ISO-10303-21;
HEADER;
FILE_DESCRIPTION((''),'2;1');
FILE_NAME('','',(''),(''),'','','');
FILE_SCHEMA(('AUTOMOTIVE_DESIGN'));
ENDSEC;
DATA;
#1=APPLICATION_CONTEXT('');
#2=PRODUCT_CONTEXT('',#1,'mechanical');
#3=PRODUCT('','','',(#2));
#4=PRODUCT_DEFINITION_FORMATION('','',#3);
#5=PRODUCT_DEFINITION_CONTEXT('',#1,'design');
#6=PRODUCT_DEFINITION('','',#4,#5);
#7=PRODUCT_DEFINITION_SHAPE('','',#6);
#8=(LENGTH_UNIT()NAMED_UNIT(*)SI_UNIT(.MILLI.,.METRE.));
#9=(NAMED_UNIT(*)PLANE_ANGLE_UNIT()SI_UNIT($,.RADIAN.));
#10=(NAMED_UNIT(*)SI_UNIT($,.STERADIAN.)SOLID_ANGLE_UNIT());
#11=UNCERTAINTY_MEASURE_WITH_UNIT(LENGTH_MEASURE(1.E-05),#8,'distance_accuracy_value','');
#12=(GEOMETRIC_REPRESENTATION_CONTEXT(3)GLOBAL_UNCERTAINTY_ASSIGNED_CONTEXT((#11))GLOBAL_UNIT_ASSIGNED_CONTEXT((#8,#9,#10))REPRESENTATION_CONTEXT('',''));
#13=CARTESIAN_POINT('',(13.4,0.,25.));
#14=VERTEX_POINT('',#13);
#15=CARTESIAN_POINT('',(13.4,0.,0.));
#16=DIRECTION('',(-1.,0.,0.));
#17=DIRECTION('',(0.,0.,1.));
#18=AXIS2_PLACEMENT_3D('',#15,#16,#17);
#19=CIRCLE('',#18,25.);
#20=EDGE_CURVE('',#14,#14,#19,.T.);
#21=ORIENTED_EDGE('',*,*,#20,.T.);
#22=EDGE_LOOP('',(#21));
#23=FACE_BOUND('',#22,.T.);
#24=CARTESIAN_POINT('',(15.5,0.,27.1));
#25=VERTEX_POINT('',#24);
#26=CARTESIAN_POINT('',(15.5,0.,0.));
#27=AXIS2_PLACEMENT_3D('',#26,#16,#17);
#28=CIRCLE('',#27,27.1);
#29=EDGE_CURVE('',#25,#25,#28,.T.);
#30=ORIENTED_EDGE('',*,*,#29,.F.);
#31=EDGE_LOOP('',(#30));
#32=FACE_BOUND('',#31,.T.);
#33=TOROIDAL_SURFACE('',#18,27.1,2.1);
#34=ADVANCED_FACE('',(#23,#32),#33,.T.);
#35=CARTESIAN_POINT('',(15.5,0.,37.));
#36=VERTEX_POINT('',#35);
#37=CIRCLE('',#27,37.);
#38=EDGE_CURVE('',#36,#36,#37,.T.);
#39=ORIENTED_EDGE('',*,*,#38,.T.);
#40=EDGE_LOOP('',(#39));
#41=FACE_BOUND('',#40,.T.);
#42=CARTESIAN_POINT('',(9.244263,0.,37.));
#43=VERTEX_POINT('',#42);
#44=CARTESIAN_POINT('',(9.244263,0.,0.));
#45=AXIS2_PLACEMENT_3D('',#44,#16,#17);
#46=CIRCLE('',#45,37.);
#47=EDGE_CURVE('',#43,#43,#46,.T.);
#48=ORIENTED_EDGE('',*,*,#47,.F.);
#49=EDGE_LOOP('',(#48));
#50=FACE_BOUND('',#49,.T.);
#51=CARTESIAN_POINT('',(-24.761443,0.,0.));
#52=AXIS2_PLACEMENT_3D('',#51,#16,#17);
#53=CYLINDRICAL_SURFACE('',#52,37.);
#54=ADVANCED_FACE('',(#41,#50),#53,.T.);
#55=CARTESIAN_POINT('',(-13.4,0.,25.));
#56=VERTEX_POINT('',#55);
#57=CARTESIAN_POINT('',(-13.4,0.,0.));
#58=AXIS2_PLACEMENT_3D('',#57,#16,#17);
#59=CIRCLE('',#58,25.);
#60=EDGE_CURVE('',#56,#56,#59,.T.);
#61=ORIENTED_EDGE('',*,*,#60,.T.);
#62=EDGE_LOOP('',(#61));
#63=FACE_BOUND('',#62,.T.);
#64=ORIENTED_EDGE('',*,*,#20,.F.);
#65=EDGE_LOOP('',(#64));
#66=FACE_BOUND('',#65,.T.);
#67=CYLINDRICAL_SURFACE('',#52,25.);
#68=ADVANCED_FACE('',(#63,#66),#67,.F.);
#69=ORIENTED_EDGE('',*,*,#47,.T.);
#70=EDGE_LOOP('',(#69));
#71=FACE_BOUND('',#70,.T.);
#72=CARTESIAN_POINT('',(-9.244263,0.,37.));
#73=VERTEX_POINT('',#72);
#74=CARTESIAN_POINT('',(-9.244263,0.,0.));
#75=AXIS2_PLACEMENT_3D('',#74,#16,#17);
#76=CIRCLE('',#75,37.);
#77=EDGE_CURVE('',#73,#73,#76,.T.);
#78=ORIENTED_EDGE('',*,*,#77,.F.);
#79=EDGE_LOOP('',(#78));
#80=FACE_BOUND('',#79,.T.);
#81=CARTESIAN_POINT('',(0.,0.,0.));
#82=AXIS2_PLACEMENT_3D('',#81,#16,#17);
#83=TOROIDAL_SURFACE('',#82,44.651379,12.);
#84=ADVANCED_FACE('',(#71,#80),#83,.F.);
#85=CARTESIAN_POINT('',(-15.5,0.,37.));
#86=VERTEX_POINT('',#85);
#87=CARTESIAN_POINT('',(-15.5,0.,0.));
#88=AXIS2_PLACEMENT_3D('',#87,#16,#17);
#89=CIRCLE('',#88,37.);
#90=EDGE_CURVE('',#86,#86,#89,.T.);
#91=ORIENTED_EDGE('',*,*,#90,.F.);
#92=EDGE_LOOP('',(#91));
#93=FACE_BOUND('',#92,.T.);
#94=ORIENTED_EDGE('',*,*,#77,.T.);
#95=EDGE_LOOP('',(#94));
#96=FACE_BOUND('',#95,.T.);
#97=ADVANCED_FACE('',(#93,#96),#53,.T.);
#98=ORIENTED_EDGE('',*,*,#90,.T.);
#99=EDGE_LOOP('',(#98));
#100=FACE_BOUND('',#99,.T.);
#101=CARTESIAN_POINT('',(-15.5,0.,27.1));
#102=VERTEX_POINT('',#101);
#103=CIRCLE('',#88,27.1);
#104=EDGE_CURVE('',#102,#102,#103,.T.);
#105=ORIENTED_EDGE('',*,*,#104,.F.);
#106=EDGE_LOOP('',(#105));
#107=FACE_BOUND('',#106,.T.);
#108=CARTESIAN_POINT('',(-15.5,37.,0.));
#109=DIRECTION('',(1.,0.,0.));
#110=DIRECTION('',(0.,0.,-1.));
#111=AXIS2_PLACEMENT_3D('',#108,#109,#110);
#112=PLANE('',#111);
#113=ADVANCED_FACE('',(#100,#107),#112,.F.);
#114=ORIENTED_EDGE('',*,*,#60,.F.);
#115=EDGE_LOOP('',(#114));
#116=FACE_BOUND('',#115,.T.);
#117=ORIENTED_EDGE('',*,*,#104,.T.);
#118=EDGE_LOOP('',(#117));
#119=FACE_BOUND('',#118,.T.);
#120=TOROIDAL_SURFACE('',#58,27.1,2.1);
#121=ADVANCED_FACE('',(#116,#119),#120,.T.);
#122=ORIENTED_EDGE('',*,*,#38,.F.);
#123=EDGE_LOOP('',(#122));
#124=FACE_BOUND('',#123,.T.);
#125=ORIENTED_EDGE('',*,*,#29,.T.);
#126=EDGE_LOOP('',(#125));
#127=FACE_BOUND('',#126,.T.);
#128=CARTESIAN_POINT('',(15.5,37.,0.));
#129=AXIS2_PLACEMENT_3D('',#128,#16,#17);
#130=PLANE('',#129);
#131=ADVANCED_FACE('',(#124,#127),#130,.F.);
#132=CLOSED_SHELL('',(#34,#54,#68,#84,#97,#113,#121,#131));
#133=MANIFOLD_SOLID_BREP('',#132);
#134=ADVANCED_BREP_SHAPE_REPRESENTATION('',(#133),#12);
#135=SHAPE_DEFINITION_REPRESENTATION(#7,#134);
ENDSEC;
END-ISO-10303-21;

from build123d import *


with BuildPart() as part:
    # Sketch2 → Revolve1 (revolve)
    with BuildSketch(Plane.XY, mode=Mode.PRIVATE) as revolve1_sk:
        with BuildLine():
            Line((9.24426332, 37), (15.5, 37))
            Line((15.5, 37), (15.5, 27.1))
            ThreePointArc((15.5, 27.1), (14.88492424, 25.61507576), (13.4, 25))
            Line((13.4, 25), (-13.4, 25))
            ThreePointArc((-13.4, 25), (-14.88492424, 25.61507576), (-15.5, 27.1))
            Line((-15.5, 27.1), (-15.5, 37))
            Line((-15.5, 37), (-9.24426332, 37))
            ThreePointArc((-9.24426332, 37), (0, 32.651378677), (9.24426332, 37))
        make_face()
    revolve(revolve1_sk.sketch.rotate(Axis((-24.761443412, 0, 0), (1, 0, 0)), 90), axis=Axis((-24.761443412, 0, 0), (1, 0, 0)))


solid = part.part
